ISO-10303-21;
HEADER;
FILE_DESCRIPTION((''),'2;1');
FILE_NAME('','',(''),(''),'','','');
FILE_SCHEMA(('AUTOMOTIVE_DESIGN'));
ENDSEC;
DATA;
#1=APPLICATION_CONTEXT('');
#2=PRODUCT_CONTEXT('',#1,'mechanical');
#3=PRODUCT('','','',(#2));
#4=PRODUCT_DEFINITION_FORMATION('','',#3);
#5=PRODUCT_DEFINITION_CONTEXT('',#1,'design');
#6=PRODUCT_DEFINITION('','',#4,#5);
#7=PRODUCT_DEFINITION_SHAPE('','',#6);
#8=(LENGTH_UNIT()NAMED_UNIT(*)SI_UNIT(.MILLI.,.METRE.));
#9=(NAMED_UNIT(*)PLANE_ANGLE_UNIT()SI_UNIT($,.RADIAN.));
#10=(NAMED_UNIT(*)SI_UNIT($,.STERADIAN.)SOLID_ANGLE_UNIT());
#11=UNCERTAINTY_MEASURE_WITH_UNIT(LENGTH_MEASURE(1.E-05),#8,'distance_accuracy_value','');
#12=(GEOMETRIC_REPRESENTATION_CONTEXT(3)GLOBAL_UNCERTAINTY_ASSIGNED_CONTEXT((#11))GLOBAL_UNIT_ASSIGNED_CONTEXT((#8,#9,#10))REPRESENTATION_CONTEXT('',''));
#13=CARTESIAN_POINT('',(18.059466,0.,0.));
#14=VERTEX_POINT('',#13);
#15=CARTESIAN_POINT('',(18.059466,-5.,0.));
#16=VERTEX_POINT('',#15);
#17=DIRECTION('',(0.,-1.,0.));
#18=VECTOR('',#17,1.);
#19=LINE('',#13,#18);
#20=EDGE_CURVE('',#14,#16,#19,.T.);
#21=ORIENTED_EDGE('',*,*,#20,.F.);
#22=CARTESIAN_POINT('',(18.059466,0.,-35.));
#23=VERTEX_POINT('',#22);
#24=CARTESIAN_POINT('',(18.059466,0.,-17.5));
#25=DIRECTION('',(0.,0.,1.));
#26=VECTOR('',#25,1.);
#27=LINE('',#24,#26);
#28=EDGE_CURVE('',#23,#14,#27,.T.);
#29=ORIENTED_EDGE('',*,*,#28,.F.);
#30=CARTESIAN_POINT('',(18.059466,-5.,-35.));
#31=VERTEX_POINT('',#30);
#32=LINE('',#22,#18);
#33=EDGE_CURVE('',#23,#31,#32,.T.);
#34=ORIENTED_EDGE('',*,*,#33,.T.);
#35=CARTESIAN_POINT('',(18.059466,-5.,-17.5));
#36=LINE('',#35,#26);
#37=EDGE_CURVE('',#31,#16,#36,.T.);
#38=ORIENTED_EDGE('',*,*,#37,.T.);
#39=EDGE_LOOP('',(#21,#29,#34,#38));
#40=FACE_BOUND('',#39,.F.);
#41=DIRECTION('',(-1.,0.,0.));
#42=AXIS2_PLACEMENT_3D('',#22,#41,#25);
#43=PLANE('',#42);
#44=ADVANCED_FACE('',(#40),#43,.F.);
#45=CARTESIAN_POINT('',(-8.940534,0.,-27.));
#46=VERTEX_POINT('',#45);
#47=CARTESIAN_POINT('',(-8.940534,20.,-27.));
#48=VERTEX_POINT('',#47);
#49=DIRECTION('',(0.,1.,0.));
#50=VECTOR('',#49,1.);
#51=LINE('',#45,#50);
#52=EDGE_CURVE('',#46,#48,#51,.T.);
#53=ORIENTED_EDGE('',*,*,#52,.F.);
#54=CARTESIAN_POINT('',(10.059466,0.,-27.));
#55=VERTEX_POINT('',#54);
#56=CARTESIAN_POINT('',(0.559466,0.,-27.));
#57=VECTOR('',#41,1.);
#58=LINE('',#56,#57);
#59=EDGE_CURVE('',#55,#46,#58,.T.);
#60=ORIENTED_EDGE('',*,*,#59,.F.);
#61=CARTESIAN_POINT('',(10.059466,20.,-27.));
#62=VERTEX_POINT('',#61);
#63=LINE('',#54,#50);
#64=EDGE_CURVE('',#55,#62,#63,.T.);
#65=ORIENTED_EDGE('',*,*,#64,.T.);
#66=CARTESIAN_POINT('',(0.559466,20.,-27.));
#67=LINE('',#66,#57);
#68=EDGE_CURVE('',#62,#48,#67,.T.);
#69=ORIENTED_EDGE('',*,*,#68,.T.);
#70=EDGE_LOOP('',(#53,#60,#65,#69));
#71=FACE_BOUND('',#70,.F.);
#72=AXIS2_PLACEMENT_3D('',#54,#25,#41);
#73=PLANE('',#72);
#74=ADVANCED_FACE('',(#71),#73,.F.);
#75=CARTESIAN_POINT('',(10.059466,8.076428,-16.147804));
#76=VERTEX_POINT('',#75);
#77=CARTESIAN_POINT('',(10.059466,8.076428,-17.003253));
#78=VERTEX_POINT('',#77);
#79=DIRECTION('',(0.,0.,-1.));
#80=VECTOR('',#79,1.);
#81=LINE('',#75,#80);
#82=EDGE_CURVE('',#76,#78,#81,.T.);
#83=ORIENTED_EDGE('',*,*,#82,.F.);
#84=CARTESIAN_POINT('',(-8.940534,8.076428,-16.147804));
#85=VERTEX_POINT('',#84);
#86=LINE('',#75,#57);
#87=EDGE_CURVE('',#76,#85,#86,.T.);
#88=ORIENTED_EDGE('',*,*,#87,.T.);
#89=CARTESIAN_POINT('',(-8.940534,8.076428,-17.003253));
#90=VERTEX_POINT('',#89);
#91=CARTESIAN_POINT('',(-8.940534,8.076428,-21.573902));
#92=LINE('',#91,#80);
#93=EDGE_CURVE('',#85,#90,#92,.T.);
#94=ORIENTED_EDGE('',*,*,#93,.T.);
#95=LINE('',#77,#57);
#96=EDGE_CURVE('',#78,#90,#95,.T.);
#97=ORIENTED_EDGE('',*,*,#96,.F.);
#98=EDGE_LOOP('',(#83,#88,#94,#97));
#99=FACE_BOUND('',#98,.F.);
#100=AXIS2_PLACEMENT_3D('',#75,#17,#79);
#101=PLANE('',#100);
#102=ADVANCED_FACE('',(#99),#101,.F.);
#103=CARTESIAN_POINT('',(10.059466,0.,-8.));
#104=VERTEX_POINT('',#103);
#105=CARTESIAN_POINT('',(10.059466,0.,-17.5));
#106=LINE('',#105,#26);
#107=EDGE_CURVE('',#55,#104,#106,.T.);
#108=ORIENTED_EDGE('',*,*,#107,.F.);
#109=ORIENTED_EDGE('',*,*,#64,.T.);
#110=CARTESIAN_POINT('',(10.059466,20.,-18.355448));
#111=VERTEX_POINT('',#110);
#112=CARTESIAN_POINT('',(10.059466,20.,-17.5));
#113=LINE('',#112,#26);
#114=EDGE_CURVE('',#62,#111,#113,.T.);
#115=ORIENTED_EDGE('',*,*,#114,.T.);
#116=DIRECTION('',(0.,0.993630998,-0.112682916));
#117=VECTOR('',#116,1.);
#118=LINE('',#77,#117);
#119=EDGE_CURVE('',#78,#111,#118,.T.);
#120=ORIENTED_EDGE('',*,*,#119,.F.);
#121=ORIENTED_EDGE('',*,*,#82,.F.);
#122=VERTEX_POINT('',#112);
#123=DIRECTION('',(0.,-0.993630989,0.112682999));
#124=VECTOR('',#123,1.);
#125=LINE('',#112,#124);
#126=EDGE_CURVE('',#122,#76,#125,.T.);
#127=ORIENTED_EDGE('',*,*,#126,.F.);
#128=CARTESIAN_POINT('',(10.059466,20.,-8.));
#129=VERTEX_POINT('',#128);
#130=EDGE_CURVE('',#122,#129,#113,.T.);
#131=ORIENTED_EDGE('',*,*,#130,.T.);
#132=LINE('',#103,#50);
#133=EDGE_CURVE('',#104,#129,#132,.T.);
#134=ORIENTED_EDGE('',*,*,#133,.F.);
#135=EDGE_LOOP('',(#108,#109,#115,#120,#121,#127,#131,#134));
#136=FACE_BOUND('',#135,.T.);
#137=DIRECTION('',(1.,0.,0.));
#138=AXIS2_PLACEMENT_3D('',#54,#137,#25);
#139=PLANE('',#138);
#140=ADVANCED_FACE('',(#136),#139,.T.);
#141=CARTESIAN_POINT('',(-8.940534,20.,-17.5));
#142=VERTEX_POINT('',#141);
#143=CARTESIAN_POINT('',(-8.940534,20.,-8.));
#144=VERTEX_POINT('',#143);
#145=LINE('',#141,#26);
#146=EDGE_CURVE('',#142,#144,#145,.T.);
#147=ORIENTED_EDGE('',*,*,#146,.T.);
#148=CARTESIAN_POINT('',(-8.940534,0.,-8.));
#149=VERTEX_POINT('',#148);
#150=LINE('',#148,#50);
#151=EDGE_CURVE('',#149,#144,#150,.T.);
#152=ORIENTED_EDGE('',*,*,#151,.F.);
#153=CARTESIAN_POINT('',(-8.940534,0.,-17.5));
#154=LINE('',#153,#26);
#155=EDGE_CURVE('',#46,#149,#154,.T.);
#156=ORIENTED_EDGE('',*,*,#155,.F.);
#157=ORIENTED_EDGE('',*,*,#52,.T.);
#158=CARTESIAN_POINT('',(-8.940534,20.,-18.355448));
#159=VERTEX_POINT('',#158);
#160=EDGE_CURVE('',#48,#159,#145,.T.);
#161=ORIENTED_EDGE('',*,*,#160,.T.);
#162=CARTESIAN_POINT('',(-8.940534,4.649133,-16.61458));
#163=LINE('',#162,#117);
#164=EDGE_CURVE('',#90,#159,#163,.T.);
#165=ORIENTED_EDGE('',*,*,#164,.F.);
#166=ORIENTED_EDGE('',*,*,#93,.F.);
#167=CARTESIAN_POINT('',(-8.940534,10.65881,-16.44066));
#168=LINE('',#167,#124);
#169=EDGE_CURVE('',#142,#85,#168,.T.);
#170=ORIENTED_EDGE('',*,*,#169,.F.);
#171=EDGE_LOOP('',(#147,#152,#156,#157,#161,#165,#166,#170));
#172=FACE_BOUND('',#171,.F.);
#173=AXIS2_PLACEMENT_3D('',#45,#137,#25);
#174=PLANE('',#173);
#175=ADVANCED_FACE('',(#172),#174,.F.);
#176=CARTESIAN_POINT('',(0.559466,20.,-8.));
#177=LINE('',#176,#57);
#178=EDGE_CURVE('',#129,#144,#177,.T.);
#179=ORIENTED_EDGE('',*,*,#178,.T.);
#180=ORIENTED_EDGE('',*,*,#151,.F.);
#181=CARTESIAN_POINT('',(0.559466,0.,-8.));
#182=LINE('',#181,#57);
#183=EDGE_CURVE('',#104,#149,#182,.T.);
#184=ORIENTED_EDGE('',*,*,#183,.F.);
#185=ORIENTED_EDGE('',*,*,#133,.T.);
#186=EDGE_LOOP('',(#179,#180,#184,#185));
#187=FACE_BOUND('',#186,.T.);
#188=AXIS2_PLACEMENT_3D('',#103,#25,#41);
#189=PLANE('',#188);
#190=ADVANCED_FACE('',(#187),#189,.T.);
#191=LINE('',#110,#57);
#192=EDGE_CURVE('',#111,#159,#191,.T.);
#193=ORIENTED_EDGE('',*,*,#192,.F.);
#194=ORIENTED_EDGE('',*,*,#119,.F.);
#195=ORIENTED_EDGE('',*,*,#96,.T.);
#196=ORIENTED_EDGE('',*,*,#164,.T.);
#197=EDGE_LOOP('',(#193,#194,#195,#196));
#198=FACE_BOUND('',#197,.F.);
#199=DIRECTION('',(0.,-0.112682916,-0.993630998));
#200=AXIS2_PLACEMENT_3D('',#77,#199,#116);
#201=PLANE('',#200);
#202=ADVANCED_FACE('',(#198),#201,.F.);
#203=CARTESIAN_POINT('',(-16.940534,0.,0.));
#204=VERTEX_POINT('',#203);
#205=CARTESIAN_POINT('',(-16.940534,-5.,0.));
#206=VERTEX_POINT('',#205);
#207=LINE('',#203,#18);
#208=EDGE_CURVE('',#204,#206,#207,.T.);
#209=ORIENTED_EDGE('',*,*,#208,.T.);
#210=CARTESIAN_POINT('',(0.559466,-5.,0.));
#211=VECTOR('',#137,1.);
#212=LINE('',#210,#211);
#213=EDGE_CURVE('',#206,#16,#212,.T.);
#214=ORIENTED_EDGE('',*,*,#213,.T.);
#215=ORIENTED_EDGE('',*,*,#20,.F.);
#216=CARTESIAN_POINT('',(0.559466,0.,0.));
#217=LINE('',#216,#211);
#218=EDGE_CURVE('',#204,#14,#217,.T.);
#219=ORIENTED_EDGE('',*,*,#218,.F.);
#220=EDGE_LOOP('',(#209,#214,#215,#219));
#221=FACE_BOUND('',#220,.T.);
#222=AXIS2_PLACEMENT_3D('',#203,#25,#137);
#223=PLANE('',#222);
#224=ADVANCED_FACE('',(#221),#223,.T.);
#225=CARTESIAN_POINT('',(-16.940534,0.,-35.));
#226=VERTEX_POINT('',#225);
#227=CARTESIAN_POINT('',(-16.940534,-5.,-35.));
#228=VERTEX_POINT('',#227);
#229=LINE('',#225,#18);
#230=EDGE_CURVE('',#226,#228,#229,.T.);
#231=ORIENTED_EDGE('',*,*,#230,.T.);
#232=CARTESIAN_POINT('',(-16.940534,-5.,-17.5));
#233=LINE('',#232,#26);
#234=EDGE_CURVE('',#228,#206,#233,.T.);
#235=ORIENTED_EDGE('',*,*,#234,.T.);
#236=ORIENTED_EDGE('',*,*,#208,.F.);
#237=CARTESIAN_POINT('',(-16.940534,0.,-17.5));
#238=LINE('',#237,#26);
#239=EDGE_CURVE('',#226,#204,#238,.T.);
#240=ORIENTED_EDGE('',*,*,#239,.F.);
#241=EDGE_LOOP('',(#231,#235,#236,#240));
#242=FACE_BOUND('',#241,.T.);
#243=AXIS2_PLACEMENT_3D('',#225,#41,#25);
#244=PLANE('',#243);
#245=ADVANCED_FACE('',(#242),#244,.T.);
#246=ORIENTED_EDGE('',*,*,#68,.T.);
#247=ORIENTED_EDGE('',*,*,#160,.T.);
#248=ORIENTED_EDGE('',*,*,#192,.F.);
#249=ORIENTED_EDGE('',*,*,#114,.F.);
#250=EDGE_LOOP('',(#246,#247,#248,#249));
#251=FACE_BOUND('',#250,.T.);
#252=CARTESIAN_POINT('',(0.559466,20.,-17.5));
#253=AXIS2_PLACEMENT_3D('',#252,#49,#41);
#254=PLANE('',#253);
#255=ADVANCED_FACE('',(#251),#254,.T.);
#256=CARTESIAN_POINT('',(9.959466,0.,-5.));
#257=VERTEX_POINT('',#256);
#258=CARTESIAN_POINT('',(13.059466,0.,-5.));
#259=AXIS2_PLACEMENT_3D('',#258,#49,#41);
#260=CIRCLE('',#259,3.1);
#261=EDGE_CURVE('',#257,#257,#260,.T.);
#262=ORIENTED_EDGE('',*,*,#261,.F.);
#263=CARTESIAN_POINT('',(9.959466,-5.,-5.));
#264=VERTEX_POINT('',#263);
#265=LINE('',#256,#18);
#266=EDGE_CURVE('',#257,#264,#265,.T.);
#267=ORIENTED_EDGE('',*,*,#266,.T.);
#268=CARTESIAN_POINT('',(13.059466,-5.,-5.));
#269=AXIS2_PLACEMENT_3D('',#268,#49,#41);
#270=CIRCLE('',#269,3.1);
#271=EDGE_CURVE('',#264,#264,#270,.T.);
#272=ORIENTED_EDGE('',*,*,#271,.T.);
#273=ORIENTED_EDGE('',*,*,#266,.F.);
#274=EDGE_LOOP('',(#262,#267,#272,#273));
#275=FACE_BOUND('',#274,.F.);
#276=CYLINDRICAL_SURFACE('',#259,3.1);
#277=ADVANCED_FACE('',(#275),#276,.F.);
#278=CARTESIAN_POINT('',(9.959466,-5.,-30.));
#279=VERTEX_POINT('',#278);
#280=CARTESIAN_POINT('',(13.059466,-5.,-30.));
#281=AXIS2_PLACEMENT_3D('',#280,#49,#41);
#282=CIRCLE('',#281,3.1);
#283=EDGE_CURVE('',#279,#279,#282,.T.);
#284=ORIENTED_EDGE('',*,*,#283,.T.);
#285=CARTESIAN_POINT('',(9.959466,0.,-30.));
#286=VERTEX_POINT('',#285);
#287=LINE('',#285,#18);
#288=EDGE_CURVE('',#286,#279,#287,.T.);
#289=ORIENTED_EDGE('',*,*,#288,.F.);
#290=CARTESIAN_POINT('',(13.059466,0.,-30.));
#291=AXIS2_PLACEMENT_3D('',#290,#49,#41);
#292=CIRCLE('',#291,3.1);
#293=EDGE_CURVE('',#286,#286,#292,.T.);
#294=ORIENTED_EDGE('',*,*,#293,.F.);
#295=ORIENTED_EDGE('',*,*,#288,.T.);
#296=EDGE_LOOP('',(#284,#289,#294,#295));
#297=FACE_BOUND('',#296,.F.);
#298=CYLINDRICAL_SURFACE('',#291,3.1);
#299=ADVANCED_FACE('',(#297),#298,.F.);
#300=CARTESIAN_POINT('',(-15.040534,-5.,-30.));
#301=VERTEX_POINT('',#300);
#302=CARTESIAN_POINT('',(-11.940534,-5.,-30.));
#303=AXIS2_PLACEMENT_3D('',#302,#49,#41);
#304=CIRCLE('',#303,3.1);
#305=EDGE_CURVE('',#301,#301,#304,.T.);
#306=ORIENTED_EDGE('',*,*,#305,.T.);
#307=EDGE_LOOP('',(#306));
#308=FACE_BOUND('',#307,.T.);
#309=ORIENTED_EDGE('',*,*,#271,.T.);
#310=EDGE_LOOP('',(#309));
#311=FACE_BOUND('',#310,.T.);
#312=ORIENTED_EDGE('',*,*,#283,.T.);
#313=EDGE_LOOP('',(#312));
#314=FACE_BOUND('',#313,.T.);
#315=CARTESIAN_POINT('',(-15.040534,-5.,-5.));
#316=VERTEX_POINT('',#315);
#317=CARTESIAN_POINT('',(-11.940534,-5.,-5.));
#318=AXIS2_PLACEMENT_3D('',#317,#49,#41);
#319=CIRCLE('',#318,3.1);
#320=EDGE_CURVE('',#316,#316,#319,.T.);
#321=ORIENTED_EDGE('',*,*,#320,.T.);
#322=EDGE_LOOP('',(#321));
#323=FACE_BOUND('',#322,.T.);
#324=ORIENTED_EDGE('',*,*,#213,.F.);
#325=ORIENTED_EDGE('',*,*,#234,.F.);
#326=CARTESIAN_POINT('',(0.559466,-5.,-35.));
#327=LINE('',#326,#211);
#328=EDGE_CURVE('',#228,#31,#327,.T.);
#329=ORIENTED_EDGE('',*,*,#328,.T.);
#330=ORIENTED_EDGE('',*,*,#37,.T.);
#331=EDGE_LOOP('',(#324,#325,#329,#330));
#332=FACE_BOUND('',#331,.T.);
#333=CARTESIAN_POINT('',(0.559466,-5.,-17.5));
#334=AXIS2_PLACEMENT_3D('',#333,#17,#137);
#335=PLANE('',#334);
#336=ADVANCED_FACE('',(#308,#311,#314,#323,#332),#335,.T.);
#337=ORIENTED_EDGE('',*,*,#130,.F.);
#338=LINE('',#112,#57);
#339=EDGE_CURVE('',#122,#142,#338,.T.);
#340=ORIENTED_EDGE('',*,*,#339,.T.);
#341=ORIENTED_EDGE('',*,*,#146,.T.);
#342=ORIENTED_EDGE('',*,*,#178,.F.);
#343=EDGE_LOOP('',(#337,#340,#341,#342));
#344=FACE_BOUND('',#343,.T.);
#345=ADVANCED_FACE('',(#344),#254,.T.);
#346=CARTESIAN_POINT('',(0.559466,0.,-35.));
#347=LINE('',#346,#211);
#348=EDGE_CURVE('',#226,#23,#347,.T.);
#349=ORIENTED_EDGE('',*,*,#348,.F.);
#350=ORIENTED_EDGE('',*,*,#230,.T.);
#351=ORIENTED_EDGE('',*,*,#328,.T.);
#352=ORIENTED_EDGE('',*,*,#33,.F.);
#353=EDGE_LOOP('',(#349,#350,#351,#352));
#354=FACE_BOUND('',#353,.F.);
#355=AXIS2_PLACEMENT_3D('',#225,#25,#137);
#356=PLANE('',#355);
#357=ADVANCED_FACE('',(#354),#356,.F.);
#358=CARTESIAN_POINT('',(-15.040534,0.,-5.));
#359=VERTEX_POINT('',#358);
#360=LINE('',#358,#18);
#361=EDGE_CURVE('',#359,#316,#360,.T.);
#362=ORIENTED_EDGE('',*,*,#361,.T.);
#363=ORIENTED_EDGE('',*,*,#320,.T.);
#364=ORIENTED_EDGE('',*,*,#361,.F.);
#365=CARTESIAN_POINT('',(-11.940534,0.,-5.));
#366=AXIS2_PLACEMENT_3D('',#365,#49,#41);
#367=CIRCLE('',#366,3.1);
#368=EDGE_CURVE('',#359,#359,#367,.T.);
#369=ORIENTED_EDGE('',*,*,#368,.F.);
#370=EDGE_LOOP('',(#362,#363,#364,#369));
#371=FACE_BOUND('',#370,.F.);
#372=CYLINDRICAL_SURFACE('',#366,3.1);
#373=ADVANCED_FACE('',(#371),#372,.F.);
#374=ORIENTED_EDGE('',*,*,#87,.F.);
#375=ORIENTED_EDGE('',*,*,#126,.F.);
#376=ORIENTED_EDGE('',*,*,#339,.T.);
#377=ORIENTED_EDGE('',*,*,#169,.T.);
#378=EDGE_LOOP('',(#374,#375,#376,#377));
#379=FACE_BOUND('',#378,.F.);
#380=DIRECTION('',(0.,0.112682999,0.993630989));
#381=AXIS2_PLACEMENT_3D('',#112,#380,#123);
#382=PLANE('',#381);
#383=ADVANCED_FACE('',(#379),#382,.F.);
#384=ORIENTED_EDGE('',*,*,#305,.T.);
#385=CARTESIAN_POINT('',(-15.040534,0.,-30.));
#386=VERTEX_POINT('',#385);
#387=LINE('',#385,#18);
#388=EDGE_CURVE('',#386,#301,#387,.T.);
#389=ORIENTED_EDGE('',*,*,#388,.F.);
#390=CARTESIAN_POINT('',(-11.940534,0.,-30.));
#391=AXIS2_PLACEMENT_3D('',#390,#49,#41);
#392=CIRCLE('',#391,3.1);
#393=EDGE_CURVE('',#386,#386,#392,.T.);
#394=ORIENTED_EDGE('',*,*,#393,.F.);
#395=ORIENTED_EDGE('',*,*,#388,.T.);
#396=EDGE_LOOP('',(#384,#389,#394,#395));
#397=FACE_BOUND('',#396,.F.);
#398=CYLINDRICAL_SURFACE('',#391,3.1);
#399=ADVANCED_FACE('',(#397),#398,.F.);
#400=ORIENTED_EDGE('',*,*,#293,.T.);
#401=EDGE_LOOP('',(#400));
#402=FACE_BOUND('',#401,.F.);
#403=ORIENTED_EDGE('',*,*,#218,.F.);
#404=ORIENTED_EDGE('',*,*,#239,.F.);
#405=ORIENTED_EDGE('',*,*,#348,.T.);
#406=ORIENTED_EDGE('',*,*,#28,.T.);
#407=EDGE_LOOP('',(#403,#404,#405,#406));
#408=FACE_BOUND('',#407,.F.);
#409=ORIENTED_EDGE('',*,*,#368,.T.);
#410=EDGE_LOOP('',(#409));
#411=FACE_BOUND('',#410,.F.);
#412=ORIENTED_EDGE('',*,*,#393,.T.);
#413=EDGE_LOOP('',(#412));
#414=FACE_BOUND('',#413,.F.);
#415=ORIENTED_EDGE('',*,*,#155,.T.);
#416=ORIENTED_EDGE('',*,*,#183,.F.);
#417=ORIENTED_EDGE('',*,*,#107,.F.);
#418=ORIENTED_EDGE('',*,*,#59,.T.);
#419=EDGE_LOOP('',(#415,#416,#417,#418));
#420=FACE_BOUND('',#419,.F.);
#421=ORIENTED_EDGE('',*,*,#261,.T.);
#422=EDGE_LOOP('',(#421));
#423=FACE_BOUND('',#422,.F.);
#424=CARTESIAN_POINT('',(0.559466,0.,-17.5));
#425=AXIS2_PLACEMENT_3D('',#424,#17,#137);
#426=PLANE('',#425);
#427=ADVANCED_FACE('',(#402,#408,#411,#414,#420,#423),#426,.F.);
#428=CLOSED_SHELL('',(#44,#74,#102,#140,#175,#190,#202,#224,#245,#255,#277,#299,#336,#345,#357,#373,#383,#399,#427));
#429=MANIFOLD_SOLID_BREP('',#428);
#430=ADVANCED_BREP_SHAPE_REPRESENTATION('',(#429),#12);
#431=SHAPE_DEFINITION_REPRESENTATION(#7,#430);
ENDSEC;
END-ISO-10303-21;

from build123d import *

# Parameters (mm, degrees)
F0_W     = 35
F0_H     = 35
F1_DEPTH = 5
F2_R     = 3.1
F3_DEPTH = 5.001
F4_W     = 19
F4_H     = 19
F5_DEPTH = 20
F7_DEPTH = 35


with BuildPart() as f1:
    # F0 (on Front) → F1 (new body)
    with BuildSketch(Plane.XZ):
        with Locations((0.559466, -17.5)):
            Rectangle(F0_W, F0_H)
    extrude(amount=F1_DEPTH)

    # F2 (on face) → F3 (cut, through all)
    with BuildSketch(Plane(origin=(0, 0, 0), x_dir=(-1, 0, 0), z_dir=(0, 1, 0))):
        with Locations((-13.059466, -5)):
            Circle(F2_R)
        with Locations((11.940534, -5)):
            Circle(F2_R)
        with Locations((-13.059466, -30)):
            Circle(F2_R)
        with Locations((11.940534, -30)):
            Circle(F2_R)
    extrude(amount=-F3_DEPTH, mode=Mode.SUBTRACT)

    # F4 (on face) → F5 (join)
    with BuildSketch(Plane(origin=(0, 0, 0), x_dir=(-1, 0, 0), z_dir=(0, 1, 0))):
        with Locations((-0.559466, -17.5)):
            Rectangle(F4_W, F4_H)
    extrude(amount=F5_DEPTH)

    # F6 (on face) → F7 (cut)
    with BuildSketch(Plane.YZ.offset(10.059466)):
        Polygon((20, -18.355448), (20, -17.5), (8.076428, -16.147804), (8.076428, -17.003253), align=None)
    extrude(amount=-F7_DEPTH, mode=Mode.SUBTRACT)


solid = f1.part
